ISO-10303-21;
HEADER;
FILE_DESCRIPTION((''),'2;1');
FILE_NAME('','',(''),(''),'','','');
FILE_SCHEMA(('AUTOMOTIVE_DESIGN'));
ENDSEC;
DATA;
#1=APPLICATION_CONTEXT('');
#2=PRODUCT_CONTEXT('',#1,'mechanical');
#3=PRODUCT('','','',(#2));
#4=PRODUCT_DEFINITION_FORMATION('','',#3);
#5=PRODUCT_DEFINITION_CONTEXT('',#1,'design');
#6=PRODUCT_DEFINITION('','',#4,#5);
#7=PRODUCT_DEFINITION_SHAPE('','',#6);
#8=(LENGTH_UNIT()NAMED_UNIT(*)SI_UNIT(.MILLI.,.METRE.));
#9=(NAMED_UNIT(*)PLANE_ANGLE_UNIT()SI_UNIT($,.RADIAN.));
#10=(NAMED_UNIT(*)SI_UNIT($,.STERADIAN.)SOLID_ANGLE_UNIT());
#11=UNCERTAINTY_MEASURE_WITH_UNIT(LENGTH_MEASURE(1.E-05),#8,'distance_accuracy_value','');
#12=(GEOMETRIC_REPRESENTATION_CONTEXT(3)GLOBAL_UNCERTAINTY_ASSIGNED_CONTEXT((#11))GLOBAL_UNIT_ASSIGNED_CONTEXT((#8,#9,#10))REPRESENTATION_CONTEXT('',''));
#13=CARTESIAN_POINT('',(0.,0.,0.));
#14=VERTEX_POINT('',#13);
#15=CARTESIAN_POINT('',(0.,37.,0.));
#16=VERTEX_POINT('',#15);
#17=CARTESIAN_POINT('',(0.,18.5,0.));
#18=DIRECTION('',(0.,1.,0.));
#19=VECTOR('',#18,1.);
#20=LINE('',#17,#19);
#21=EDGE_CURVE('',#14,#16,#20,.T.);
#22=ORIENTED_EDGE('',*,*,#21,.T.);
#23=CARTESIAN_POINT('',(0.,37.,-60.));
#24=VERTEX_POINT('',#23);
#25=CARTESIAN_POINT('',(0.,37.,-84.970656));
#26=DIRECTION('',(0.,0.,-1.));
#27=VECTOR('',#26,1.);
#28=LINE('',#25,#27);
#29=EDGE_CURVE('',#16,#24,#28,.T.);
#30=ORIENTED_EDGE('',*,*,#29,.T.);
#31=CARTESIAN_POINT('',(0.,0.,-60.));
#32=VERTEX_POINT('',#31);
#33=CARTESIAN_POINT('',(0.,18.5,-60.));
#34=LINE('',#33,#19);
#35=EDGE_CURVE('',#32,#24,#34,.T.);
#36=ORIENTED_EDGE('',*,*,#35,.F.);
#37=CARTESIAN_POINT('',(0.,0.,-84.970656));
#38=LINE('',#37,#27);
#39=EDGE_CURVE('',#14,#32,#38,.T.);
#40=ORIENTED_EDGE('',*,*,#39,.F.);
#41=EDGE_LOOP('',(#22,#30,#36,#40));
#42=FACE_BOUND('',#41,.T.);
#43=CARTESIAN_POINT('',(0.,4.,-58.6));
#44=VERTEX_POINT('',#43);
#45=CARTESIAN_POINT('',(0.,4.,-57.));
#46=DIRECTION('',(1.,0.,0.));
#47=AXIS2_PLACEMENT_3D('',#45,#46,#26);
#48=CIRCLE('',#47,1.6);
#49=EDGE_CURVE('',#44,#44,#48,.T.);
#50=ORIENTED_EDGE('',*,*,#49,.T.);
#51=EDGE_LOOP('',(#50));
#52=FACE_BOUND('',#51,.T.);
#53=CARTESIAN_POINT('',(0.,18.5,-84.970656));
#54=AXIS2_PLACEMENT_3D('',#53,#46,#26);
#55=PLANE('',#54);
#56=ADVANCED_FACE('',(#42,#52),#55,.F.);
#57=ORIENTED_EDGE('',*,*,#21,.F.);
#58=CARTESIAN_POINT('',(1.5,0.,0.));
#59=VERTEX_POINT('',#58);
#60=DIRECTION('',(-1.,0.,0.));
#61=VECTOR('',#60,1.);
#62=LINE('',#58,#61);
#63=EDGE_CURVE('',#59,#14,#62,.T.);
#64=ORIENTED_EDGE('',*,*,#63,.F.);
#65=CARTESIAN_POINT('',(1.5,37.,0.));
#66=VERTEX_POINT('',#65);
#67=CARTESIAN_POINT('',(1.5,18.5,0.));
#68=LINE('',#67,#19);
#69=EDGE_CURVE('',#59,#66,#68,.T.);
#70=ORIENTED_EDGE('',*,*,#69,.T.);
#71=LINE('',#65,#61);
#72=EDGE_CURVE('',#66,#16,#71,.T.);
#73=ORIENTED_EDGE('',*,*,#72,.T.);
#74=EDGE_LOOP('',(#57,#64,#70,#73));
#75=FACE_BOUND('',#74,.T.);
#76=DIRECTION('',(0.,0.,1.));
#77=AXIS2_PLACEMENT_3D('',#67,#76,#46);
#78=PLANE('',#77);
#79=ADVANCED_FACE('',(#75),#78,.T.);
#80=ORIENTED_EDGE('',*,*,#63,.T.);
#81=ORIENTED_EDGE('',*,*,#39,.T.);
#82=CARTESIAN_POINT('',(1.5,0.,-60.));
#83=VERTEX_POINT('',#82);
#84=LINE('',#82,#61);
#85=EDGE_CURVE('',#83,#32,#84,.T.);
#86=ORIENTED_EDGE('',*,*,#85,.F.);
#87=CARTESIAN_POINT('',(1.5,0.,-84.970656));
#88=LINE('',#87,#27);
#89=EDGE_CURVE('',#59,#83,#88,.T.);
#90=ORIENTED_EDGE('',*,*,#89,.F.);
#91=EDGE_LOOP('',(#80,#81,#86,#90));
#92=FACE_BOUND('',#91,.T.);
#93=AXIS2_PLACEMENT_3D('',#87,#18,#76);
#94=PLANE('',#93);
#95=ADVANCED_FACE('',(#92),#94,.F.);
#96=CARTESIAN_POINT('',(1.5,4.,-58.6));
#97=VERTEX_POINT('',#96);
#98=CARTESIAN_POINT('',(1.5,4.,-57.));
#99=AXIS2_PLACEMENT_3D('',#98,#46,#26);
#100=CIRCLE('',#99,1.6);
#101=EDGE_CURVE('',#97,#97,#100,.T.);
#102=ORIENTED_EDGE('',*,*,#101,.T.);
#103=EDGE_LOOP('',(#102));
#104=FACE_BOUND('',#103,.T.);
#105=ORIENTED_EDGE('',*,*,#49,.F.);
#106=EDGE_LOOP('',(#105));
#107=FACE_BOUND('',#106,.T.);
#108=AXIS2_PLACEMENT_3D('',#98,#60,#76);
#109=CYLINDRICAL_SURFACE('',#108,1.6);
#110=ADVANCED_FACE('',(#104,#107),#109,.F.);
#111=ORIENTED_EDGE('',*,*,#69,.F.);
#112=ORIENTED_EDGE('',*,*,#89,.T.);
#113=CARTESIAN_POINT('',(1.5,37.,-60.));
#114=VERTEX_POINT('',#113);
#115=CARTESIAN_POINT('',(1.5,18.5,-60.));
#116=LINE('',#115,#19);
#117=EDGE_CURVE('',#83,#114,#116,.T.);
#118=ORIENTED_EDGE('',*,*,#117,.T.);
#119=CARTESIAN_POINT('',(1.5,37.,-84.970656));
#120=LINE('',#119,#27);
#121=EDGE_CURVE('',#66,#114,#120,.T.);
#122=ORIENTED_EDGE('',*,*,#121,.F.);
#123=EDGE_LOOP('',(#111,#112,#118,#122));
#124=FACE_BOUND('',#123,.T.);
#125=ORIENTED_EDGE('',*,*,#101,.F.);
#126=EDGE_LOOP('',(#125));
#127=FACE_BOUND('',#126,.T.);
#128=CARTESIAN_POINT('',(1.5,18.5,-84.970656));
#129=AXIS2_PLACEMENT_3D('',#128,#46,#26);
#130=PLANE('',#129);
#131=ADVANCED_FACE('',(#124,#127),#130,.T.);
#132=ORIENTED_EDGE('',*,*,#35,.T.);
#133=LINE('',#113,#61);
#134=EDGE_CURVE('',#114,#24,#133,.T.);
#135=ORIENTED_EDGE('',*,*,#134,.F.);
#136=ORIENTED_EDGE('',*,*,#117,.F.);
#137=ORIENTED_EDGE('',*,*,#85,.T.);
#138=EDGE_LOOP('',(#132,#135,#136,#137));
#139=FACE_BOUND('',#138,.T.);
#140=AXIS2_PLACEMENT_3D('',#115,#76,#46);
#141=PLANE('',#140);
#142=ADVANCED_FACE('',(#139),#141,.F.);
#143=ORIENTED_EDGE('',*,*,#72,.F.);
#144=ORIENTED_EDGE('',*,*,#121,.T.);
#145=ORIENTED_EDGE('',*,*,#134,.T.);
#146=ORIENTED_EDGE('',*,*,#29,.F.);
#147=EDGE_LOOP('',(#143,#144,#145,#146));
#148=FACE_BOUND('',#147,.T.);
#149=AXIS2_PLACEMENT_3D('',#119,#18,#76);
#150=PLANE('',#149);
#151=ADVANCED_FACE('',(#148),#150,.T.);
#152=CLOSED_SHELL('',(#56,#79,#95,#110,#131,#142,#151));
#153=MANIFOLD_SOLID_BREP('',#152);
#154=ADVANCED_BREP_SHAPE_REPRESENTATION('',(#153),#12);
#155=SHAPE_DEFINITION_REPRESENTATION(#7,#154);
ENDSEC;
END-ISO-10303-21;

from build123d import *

# Parameters (mm, degrees)
SKETCH_1_W      = 60
SKETCH_1_H      = 37
SKETCH_1_R      = 1.6
EXTRUDE_1_DEPTH = 1.5


with BuildPart() as part:
    # Эскиз1 → Бобышка-Вытянуть1 (new body)
    with BuildSketch(Plane(origin=(0, 0, 0), x_dir=(0, 0, -1), z_dir=(1, 0, 0))):
        with Locations((30, 18.5)):
            Rectangle(SKETCH_1_W, SKETCH_1_H)
        with Locations((3, 4)):
            Circle(SKETCH_1_R, mode=Mode.SUBTRACT)
        with Locations((57, 4)):
            Circle(SKETCH_1_R, mode=Mode.SUBTRACT)
        with Locations((57, 34)):
            Circle(SKETCH_1_R, mode=Mode.SUBTRACT)
        with Locations((3, 34)):
            Circle(SKETCH_1_R, mode=Mode.SUBTRACT)
        with Locations((3, 34)):
            Circle(SKETCH_1_R)
        with Locations((3, 4)):
            Circle(SKETCH_1_R)
        with Locations((57, 34)):
            Circle(SKETCH_1_R)
    extrude(amount=EXTRUDE_1_DEPTH)


solid = part.part
